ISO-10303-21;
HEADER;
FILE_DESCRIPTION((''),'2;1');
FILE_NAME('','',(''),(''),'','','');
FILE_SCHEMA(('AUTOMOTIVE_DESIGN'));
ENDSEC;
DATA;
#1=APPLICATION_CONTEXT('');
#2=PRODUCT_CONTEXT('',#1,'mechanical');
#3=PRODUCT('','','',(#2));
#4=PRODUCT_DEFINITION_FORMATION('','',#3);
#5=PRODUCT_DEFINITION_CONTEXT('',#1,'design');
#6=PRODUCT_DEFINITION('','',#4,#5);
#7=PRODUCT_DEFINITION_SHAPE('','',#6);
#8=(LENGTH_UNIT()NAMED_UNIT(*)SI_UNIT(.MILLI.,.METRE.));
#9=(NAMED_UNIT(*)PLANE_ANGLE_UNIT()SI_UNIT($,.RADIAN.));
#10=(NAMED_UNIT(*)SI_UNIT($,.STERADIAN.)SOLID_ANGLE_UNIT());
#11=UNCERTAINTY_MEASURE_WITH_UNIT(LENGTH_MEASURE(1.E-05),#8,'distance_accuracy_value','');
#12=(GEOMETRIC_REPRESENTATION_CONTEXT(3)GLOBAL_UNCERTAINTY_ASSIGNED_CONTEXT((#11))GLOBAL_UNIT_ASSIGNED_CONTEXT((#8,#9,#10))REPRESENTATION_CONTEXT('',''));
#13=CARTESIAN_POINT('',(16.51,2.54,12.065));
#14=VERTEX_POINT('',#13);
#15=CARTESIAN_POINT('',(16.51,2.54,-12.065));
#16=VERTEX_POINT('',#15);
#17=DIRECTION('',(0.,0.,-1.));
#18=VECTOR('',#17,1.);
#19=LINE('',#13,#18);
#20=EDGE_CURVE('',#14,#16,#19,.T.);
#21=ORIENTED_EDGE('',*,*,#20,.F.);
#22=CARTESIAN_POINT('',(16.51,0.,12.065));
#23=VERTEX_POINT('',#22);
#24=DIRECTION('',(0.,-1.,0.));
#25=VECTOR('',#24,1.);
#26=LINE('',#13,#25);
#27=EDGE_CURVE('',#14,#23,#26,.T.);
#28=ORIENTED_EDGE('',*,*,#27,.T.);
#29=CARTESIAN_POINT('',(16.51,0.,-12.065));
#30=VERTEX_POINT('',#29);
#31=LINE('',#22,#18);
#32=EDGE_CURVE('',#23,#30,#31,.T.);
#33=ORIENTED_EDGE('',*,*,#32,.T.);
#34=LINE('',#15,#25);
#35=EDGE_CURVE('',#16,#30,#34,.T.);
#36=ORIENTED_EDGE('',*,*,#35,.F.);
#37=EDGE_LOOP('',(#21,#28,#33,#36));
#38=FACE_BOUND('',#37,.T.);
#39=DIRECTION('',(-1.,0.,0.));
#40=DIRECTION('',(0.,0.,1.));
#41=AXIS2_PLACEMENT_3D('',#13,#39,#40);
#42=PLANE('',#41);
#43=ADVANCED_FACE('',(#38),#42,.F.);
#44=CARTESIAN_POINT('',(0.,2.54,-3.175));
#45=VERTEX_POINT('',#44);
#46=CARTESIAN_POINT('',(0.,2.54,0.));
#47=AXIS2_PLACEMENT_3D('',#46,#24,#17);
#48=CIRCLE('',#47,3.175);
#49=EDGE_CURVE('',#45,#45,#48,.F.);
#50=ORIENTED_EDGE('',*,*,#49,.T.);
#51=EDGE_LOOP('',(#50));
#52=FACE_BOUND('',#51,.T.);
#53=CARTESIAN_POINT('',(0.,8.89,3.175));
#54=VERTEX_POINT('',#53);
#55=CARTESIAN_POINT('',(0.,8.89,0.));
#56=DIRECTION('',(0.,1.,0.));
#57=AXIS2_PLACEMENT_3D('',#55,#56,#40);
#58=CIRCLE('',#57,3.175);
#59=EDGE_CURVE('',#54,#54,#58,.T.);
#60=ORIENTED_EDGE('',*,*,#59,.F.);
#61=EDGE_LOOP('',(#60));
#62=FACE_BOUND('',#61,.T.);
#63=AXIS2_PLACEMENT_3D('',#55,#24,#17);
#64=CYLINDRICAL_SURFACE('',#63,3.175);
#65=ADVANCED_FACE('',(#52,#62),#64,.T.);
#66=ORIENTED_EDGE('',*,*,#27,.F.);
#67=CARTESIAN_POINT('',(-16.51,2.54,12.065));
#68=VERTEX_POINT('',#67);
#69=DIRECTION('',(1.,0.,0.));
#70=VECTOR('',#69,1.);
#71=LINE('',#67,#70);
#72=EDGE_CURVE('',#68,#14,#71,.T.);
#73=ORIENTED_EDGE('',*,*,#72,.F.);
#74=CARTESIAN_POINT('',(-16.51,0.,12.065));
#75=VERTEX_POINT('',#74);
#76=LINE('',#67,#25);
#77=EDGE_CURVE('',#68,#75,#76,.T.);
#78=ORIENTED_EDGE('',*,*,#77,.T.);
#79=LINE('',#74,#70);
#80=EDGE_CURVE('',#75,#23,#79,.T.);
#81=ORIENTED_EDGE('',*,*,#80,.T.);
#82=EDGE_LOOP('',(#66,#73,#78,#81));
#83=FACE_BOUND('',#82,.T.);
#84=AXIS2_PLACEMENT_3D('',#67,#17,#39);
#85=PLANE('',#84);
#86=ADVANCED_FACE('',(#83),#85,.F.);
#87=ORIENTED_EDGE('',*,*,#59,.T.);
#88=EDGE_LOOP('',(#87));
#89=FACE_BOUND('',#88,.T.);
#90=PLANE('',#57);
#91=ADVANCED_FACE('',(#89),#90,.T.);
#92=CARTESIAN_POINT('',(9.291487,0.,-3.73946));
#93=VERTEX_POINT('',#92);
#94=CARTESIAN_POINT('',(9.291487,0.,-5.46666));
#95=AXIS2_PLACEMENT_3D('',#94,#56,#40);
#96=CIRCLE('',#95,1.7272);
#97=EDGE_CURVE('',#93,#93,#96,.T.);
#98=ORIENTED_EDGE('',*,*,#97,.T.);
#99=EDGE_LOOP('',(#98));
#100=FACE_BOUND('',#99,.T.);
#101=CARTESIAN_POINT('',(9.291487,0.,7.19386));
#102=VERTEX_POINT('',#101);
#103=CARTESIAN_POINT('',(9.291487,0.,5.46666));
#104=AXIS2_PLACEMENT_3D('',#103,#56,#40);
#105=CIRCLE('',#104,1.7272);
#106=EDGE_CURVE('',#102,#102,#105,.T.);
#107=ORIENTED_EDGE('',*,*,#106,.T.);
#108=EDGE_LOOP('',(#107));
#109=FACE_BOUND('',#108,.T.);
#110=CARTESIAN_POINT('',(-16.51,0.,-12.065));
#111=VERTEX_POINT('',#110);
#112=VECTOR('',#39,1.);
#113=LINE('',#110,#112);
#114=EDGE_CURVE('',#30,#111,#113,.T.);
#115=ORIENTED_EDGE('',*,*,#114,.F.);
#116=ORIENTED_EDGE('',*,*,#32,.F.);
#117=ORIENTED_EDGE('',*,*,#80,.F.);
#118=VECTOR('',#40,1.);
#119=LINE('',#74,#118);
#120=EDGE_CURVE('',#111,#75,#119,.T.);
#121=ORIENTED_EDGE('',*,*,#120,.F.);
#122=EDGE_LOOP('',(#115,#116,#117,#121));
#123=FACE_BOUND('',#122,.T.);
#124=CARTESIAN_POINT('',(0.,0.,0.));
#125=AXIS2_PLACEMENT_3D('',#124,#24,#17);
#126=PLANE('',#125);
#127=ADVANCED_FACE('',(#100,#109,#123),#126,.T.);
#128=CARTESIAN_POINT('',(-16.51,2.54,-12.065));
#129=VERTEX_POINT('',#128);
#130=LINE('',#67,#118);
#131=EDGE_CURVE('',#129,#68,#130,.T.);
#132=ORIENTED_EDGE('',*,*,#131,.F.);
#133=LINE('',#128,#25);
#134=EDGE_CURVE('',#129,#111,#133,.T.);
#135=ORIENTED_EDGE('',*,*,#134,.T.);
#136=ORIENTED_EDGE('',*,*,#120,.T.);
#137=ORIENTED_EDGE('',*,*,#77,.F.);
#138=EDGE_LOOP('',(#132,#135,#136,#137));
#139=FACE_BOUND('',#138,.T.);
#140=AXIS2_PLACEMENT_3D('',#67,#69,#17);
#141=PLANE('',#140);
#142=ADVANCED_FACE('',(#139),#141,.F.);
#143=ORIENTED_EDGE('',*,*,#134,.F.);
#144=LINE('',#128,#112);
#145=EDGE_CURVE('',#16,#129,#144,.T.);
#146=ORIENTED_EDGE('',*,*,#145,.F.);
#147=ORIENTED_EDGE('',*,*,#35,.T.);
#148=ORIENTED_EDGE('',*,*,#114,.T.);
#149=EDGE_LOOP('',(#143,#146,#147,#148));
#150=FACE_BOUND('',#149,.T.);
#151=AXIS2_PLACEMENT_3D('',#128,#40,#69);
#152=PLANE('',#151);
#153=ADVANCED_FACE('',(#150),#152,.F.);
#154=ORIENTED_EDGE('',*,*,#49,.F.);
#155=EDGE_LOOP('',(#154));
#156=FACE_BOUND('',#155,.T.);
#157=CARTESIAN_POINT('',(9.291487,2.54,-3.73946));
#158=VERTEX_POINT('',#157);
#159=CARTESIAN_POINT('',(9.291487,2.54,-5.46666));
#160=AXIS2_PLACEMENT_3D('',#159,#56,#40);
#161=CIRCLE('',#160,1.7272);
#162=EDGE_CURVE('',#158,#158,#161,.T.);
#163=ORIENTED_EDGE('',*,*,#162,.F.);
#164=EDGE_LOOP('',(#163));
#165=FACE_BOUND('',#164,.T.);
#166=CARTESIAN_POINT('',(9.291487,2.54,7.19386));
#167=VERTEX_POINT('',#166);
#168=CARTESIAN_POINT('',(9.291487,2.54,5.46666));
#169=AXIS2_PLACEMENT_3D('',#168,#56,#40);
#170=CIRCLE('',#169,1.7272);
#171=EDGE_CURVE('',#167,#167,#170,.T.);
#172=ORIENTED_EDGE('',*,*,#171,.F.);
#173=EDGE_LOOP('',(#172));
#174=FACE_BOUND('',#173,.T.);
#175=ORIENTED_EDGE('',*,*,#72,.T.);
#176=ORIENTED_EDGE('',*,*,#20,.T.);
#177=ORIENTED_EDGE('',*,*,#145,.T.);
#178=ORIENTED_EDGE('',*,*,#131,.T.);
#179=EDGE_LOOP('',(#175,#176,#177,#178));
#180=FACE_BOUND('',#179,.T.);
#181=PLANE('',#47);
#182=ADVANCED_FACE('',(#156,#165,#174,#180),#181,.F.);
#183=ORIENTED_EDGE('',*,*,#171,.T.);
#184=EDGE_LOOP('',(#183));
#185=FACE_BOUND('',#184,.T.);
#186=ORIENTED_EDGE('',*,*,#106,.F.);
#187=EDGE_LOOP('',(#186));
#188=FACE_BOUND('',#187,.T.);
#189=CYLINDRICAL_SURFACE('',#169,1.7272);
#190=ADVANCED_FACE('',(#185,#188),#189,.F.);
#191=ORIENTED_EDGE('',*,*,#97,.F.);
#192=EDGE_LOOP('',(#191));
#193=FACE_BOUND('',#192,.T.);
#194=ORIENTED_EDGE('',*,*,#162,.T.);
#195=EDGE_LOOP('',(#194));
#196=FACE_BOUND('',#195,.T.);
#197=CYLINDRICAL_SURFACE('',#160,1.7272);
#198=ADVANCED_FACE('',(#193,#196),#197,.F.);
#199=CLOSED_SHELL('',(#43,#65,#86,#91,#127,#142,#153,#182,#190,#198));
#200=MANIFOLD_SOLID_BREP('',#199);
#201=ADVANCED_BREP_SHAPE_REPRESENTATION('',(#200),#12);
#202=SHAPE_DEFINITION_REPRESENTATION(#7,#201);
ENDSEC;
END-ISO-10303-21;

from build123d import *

# Parameters (mm, degrees)
SKETCH1_W             = 33.02
SKETCH1_H             = 24.13
BOSS_EXTRUDE1_DEPTH   = 2.54
SKETCH2_R             = 3.175
BOSS_EXTRUDE2_DEPTH   = 6.35
F_4_CLEARANCE_HOLE1_D = 3.4544


with BuildPart() as part:
    # Sketch1 → Boss-Extrude1 (new body)
    with BuildSketch(Plane(origin=(0, 0, 0), x_dir=(1, 0, 0), z_dir=(0, 1, 0))):
        Rectangle(SKETCH1_W, SKETCH1_H)
    extrude(amount=BOSS_EXTRUDE1_DEPTH)

    # Sketch2 → Boss-Extrude2 (add)
    with BuildSketch(Plane(origin=(0, 2.54, 0), x_dir=(1, 0, 0), z_dir=(0, 1, 0))):
        with Locations(Location((0, 0, 0), (0, 0, 90))):
            Circle(SKETCH2_R)
    extrude(amount=BOSS_EXTRUDE2_DEPTH)

    # #4 Clearance Hole1 (through all)
    with Locations(Plane(origin=(0, 2.54, 0), x_dir=(1, 0, 0), z_dir=(0, 1, 0))):
        with Locations((9.291486619, 5.466660474), (9.291486619, -5.466660474)):
            Hole(F_4_CLEARANCE_HOLE1_D / 2)


solid = part.part
